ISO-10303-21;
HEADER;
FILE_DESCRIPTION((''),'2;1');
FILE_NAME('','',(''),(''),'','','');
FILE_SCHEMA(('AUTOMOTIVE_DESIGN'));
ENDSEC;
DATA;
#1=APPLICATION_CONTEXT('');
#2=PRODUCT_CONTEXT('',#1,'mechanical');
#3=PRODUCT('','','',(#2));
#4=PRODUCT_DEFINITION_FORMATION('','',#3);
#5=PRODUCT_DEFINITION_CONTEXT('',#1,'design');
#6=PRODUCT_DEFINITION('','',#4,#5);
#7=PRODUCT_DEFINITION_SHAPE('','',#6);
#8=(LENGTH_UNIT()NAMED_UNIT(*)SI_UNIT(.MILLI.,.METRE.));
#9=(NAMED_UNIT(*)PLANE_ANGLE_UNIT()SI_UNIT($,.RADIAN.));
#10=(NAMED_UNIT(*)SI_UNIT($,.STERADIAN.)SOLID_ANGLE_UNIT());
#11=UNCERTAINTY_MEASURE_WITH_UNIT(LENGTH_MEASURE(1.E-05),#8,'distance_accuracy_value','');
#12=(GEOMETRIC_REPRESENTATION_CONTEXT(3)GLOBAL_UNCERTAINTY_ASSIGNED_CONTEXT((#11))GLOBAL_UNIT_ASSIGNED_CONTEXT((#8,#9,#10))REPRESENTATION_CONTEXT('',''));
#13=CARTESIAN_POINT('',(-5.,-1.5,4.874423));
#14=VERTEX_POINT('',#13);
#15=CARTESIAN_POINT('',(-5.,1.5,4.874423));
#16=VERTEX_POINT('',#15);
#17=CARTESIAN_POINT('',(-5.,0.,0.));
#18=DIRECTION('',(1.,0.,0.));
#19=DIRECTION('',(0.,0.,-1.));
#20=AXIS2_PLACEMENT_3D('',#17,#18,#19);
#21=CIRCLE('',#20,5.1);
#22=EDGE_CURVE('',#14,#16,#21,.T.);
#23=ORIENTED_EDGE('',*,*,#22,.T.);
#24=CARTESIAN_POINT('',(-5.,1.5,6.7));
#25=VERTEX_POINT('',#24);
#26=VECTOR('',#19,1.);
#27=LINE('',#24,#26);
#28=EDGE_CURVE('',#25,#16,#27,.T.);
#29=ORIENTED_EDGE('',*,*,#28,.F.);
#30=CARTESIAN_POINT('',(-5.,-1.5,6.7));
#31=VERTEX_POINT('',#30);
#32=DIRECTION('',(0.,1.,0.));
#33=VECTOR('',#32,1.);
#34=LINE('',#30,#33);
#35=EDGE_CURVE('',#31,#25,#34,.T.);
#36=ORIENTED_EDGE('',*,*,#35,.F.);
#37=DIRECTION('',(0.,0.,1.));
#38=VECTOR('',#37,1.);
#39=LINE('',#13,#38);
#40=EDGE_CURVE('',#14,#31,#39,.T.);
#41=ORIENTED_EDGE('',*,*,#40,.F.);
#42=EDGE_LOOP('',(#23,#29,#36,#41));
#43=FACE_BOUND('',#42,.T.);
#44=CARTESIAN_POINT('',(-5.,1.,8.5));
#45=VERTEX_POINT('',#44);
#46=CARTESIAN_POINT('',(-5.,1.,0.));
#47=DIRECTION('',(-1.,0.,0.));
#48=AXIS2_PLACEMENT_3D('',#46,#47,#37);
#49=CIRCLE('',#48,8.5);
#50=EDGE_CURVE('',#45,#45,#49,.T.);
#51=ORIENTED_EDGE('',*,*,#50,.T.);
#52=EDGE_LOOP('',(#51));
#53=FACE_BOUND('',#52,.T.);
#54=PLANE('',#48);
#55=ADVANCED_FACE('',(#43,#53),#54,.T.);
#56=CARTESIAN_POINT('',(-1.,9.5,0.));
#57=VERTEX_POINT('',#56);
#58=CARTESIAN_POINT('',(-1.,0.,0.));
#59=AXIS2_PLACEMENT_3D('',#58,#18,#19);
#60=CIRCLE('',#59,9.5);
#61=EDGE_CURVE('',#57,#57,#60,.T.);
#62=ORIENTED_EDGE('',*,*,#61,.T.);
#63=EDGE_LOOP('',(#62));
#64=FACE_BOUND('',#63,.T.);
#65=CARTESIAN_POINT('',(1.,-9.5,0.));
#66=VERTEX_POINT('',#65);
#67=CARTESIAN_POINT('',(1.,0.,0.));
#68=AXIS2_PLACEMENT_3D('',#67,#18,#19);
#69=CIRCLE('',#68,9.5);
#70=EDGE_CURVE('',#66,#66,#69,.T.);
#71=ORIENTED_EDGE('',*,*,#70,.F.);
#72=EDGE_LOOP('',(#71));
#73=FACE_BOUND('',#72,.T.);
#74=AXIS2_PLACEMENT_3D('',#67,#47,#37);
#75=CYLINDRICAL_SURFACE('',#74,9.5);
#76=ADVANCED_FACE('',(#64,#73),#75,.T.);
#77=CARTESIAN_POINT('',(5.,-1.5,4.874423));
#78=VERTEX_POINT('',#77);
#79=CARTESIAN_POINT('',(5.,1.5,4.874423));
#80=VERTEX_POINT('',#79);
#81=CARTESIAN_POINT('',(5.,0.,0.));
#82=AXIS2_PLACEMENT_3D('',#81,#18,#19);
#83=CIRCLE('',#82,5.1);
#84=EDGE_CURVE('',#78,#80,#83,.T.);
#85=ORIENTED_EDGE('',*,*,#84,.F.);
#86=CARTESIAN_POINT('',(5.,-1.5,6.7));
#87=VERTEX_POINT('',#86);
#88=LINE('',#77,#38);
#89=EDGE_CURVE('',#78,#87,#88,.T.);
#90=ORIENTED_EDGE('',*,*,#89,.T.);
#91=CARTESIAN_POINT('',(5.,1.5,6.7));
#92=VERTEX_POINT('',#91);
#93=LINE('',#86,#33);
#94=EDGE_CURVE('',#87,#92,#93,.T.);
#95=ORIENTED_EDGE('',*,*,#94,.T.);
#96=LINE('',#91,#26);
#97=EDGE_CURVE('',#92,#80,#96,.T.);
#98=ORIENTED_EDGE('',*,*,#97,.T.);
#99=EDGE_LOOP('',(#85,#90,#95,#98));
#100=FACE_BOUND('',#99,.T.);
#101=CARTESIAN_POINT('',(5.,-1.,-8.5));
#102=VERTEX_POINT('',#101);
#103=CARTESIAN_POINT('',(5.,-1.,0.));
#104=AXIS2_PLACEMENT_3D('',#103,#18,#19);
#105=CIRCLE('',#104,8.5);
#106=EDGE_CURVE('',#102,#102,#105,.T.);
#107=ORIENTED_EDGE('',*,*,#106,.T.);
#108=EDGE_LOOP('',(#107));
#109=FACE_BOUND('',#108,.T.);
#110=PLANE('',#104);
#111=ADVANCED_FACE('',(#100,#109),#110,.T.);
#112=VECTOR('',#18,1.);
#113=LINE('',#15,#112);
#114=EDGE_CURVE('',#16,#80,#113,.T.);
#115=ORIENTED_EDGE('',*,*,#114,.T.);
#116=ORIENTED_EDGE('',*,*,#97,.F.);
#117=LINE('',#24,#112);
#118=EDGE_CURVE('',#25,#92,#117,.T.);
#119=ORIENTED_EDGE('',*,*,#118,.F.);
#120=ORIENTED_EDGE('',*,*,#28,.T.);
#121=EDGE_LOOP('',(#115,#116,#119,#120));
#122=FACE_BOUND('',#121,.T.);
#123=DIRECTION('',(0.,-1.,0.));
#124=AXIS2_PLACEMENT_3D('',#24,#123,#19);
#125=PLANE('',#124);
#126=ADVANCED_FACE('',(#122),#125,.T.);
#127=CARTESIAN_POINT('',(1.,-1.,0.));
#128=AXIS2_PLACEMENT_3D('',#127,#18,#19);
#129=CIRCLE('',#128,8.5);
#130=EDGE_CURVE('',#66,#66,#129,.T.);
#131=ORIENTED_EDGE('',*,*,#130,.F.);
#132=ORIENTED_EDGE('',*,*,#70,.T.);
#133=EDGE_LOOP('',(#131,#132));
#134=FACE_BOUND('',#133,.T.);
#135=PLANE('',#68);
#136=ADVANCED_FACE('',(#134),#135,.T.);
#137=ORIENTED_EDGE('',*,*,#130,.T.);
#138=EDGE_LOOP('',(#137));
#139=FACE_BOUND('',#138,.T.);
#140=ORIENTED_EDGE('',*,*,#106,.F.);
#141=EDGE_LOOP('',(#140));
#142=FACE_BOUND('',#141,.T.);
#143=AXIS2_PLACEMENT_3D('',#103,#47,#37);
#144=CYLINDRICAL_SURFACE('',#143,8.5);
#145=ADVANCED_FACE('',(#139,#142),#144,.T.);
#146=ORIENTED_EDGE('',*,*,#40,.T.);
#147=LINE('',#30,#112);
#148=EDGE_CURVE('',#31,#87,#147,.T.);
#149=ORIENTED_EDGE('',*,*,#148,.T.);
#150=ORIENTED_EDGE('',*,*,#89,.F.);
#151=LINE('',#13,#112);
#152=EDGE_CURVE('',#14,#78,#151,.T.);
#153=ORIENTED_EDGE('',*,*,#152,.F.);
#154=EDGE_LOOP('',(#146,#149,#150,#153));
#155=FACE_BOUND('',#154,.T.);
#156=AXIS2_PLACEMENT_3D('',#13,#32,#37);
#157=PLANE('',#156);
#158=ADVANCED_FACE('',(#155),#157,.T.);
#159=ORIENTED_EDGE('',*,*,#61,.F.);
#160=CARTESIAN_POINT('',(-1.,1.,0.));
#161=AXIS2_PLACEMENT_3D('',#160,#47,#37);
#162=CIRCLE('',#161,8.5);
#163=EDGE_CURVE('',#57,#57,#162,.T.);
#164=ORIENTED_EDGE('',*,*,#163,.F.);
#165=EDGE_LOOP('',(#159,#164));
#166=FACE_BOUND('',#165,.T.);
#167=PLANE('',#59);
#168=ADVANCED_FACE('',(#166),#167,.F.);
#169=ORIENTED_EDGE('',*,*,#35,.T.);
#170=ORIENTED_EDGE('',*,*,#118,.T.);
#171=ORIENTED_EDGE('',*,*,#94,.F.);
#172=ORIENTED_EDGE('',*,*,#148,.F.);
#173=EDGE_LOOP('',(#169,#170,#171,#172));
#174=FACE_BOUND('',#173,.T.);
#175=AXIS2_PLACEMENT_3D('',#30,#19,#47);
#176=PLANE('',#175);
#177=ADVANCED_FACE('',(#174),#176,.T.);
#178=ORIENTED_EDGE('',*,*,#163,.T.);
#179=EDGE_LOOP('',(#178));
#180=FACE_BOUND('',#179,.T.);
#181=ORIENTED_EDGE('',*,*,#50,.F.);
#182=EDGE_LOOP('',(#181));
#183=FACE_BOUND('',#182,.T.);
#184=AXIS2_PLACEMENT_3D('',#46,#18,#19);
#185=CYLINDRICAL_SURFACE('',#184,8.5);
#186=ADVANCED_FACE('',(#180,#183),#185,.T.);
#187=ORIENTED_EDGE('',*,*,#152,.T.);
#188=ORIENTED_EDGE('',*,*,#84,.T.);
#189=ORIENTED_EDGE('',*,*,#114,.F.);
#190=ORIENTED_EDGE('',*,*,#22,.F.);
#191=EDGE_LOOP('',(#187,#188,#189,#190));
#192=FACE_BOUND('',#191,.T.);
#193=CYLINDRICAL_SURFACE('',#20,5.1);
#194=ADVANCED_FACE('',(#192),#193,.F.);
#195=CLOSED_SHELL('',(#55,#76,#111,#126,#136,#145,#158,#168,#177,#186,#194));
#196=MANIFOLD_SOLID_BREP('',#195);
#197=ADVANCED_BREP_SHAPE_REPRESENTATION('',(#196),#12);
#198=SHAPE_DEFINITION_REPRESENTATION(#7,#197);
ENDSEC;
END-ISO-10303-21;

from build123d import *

# Parameters (mm, degrees)
SKETCH1_R           = 9.5
BOSS_EXTRUDE1_DEPTH = 1
SKETCH2_R           = 8.5
BOSS_EXTRUDE3_DEPTH = 4
SKETCH3_R           = 8.5
BOSS_EXTRUDE4_DEPTH = 4
CUT_EXTRUDE1_DEPTH  = 17.748134224


with BuildPart() as part:
    # Sketch1 → Boss-Extrude1 (new, symmetric)
    with BuildSketch(Plane.YZ):
        with Locations(Location((0, 0, 0), (0, 0, 270))):
            Circle(SKETCH1_R)
    extrude(amount=BOSS_EXTRUDE1_DEPTH, both=True)

    # Sketch2 → Boss-Extrude3 (add)
    with BuildSketch(Plane.YZ.offset(1)):
        with Locations(Location((-1, 0, 0), (0, 0, 180))):
            Circle(SKETCH2_R)
    extrude(amount=BOSS_EXTRUDE3_DEPTH)

    # Sketch3 → Boss-Extrude4 (add)
    with BuildSketch(Plane(origin=(-1, 0, 0), x_dir=(0, -1, 0), z_dir=(-1, 0, 0))):
        with Locations(Location((-1, 0, 0), (0, 0, 179.999143376))):
            Circle(SKETCH3_R)
    extrude(amount=BOSS_EXTRUDE4_DEPTH)

    # Sketch4 → Cut-Extrude1 (cut, through all)
    with BuildSketch(Plane.YZ.offset(5)):
        with BuildLine():
            Line((-1.5, 4.874423043), (-1.5, 6.7))
            Line((-1.5, 6.7), (1.5, 6.7))
            Line((1.5, 6.7), (1.5, 4.874423043))
            ThreePointArc((1.5, 4.874423043), (0, -5.1), (-1.5, 4.874423043))
        make_face()
    extrude(amount=-CUT_EXTRUDE1_DEPTH, mode=Mode.SUBTRACT)


solid = part.part
